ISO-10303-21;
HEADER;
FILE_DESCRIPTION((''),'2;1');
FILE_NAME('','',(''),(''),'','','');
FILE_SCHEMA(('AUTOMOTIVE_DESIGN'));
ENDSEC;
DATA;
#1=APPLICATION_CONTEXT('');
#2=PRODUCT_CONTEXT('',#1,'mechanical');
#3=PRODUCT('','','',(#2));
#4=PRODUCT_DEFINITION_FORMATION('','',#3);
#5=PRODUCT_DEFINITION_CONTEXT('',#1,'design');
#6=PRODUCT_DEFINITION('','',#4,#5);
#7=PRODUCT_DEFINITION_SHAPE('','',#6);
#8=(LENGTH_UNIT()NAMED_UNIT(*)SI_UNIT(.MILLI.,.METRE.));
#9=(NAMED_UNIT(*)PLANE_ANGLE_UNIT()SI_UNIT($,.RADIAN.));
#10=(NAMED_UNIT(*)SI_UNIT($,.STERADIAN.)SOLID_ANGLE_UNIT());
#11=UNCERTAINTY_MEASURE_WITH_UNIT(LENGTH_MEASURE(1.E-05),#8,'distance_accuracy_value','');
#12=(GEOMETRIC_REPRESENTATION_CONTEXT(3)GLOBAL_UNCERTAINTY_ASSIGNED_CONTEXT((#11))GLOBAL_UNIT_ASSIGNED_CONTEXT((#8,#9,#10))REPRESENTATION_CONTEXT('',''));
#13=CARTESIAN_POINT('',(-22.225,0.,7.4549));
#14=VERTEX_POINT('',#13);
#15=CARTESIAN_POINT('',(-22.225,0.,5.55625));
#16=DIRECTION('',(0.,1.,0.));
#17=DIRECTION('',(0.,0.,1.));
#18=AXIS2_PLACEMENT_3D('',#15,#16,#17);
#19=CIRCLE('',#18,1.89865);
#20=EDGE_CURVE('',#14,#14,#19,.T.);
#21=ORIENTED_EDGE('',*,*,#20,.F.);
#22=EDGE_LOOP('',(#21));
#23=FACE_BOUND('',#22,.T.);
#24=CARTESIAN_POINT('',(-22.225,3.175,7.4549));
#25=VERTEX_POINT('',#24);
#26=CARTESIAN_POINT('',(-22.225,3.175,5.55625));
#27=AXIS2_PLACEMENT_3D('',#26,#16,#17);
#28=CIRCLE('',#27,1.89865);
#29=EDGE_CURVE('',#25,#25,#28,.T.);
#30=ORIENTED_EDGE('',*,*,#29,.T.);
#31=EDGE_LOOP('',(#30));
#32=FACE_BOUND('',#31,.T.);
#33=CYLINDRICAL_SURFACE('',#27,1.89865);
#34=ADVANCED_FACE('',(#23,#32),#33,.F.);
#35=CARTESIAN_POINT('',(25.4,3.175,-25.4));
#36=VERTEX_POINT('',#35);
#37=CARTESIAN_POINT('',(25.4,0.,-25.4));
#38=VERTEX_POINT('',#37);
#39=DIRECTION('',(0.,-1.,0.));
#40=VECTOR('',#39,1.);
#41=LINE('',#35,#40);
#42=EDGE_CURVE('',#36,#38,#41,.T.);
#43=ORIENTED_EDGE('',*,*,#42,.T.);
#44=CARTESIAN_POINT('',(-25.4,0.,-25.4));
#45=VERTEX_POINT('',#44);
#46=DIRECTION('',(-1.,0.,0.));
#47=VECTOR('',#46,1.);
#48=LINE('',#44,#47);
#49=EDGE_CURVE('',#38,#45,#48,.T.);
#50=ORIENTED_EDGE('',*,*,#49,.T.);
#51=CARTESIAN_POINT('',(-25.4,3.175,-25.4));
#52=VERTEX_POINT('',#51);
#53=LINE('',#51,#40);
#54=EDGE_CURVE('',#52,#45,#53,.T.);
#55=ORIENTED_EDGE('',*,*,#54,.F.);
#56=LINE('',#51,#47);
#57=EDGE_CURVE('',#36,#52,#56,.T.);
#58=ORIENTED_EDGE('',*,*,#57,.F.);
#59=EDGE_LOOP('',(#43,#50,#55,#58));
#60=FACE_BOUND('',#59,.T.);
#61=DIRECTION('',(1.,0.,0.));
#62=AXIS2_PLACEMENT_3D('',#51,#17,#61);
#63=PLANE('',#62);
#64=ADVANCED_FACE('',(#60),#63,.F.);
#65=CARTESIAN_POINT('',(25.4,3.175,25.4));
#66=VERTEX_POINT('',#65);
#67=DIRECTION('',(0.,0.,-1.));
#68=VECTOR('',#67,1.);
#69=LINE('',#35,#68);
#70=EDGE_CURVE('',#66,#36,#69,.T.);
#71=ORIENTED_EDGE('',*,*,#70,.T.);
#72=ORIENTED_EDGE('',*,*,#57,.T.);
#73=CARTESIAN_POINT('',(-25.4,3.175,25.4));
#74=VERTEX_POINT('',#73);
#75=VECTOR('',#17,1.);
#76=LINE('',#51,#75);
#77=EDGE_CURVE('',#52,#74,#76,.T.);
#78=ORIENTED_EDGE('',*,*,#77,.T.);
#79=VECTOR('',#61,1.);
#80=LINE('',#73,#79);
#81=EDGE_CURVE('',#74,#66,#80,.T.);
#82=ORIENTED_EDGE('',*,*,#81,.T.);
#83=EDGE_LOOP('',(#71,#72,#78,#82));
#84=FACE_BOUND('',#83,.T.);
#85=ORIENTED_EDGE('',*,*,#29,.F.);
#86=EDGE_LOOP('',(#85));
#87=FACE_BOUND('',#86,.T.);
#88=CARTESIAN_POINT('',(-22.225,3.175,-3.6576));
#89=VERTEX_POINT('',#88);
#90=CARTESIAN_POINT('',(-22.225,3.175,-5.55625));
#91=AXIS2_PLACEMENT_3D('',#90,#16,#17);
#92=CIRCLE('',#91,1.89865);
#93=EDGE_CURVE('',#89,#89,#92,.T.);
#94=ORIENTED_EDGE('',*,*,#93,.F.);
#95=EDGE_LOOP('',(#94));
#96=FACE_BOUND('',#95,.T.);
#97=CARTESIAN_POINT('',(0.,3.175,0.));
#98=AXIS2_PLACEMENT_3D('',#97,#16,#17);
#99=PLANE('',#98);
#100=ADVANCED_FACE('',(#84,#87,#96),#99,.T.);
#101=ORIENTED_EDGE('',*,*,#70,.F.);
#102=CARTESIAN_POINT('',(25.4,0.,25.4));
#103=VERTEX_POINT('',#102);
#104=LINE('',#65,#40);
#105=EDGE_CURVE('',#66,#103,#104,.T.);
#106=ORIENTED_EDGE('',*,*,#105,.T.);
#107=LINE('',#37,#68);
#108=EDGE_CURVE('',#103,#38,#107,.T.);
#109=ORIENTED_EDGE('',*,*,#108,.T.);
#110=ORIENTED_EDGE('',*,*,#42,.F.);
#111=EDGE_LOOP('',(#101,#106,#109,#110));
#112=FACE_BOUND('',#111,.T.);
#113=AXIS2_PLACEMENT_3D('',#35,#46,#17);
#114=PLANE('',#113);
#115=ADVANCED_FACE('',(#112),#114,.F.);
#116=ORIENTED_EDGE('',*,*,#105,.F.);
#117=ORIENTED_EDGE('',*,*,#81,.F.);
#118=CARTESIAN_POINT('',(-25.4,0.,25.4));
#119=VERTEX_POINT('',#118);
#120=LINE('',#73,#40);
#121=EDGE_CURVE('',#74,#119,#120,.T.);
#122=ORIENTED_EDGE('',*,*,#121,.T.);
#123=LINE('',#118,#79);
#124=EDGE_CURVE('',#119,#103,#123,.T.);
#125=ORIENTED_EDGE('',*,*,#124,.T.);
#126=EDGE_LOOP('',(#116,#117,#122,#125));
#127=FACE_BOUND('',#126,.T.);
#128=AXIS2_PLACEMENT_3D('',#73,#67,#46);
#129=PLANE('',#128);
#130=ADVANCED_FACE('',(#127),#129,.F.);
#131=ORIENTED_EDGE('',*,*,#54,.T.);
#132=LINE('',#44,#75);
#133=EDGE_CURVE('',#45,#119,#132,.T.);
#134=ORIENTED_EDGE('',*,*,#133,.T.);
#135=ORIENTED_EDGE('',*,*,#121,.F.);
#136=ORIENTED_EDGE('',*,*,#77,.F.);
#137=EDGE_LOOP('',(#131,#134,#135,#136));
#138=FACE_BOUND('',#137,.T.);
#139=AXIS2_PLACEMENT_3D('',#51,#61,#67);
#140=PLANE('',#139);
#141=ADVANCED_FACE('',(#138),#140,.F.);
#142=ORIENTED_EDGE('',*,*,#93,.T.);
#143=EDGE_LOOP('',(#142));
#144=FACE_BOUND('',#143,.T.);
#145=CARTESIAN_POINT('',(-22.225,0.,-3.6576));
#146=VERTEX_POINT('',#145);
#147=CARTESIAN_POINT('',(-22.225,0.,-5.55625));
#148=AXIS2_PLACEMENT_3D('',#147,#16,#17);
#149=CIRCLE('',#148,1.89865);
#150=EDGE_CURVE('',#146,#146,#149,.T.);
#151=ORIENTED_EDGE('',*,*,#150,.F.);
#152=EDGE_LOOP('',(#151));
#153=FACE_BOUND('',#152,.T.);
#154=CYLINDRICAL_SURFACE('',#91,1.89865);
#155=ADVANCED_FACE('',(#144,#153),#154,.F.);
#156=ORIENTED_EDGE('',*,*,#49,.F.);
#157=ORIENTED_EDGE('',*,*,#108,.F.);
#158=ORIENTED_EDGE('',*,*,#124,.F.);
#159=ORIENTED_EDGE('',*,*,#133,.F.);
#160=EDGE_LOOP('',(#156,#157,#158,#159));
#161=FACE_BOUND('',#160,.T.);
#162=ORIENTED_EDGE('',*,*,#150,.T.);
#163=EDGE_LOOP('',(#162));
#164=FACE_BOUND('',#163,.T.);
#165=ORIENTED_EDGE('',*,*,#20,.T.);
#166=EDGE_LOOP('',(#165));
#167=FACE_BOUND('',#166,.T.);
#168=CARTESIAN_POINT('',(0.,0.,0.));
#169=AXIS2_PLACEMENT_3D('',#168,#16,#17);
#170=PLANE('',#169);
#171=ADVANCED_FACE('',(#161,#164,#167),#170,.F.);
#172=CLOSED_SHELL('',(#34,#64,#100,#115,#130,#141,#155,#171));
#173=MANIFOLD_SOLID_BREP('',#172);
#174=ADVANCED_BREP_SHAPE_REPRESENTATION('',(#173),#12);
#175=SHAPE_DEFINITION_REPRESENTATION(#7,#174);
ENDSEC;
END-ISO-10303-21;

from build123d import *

# Parameters (mm, degrees)
SKETCH1_W                 = 50.8
SKETCH1_H                 = 50.8
BOSS_EXTRUDE1_DEPTH       = 3.175
F_6_CLEARANCE_HOLE1_D     = 3.7973
F_6_CLEARANCE_HOLE1_DEPTH = 12.7
F_6_CLEARANCE_HOLE1_TIP   = 1.140824014


with BuildPart() as part:
    # Sketch1 → Boss-Extrude1 (new body)
    with BuildSketch(Plane(origin=(0, 0, 0), x_dir=(1, 0, 0), z_dir=(0, 1, 0))):
        Rectangle(SKETCH1_W, SKETCH1_H)
    extrude(amount=BOSS_EXTRUDE1_DEPTH)

    # #6 Clearance Hole1
    with Locations(Plane(origin=(0, 3.175, 0), x_dir=(1, 0, 0), z_dir=(0, 1, 0))):
        with Locations((-22.225, 5.55625), (-22.225, -5.55625)):
            Hole(F_6_CLEARANCE_HOLE1_D / 2, depth=F_6_CLEARANCE_HOLE1_DEPTH)
            with Locations((0, 0, -(F_6_CLEARANCE_HOLE1_DEPTH + F_6_CLEARANCE_HOLE1_TIP / 2))):  # 118° drill point
                Cone(0, F_6_CLEARANCE_HOLE1_D / 2, F_6_CLEARANCE_HOLE1_TIP, mode=Mode.SUBTRACT)


solid = part.part
